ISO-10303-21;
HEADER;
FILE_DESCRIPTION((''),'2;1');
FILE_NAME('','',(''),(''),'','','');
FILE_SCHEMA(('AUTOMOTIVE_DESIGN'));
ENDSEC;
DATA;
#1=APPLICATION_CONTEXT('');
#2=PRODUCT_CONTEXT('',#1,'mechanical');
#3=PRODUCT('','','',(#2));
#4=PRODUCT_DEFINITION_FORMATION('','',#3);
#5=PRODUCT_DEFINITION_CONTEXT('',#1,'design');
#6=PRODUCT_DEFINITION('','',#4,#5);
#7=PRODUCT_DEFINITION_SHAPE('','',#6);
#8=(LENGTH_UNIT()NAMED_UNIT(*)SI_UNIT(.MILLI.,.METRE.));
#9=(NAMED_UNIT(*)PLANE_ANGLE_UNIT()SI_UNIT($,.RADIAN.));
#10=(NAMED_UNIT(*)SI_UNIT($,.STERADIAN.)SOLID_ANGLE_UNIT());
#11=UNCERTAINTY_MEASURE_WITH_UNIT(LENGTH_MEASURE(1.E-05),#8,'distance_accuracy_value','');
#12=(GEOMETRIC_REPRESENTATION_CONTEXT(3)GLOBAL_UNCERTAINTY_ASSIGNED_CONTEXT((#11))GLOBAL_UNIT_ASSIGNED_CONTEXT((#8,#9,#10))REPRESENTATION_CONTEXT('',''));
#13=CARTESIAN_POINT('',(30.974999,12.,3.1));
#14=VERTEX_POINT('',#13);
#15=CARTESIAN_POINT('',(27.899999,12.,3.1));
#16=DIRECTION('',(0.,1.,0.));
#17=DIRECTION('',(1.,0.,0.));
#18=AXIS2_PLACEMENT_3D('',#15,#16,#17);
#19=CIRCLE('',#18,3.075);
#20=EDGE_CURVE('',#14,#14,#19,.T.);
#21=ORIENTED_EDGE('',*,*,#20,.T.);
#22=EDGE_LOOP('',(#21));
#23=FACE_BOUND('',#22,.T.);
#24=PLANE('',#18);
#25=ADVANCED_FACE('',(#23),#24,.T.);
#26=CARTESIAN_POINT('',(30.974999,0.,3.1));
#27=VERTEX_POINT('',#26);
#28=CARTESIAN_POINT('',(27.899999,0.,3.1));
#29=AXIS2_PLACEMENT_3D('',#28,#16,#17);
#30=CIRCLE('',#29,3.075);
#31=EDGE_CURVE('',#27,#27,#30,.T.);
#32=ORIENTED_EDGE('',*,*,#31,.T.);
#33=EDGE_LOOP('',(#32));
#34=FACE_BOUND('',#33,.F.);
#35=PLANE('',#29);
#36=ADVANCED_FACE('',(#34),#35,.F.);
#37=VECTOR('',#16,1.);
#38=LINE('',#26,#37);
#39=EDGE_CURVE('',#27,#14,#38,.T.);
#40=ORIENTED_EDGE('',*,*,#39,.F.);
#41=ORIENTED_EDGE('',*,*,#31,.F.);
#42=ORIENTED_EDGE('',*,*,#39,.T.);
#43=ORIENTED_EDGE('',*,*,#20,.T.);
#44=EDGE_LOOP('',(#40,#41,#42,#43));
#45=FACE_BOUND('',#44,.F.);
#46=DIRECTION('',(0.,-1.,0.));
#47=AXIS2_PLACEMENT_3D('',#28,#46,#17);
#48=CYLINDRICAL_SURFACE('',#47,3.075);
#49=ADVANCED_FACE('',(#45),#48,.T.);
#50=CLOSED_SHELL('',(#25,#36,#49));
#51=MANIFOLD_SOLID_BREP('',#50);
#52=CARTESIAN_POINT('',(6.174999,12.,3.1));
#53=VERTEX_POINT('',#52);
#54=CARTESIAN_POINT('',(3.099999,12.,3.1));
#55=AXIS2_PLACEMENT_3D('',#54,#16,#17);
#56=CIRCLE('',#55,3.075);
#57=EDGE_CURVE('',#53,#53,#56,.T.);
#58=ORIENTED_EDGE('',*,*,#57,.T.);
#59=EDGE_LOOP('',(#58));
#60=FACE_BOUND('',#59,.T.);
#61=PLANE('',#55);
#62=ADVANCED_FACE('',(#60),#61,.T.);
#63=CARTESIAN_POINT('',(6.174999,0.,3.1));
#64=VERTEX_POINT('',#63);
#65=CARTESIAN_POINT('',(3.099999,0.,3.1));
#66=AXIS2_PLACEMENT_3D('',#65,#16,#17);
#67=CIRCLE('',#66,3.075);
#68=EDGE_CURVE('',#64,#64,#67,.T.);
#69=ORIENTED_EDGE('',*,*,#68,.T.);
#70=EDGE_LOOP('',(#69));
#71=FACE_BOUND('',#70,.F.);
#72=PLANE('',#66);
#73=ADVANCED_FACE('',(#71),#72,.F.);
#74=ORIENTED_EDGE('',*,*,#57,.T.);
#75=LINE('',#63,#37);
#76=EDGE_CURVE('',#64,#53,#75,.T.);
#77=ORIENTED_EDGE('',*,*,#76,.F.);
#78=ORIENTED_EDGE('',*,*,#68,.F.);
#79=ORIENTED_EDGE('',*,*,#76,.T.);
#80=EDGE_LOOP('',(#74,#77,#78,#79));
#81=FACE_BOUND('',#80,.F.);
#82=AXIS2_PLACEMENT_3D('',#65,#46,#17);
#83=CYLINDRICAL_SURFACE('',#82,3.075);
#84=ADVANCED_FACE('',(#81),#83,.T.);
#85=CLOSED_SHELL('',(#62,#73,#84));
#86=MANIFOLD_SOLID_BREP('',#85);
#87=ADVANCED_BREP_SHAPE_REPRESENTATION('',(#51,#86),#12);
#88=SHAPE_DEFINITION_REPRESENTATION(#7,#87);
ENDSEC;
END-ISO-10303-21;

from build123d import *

# Parameters (mm, degrees)
SKETCH1_R             = 3.075
BOSS_EXTRUDE1_DEPTH   = 12
BOSS_EXTRUDE1_2_DEPTH = 12


with BuildPart() as part:
    # Sketch1 → Boss-Extrude1 (new body)
    with BuildSketch(Plane(origin=(0, 0, 0), x_dir=(1, 0, 0), z_dir=(0, 1, 0))):
        with Locations((3.099999428, -3.099999905)):
            Circle(SKETCH1_R)
    extrude(amount=BOSS_EXTRUDE1_DEPTH)


with BuildPart() as body_2:
    # Sketch1 → Boss-Extrude1 2 (new body)
    with BuildSketch(Plane(origin=(0, 0, 0), x_dir=(1, 0, 0), z_dir=(0, 1, 0))):
        with Locations((27.899999428, -3.099999905)):
            Circle(SKETCH1_R)
    extrude(amount=BOSS_EXTRUDE1_2_DEPTH)


solid = Compound([part.part, body_2.part])
